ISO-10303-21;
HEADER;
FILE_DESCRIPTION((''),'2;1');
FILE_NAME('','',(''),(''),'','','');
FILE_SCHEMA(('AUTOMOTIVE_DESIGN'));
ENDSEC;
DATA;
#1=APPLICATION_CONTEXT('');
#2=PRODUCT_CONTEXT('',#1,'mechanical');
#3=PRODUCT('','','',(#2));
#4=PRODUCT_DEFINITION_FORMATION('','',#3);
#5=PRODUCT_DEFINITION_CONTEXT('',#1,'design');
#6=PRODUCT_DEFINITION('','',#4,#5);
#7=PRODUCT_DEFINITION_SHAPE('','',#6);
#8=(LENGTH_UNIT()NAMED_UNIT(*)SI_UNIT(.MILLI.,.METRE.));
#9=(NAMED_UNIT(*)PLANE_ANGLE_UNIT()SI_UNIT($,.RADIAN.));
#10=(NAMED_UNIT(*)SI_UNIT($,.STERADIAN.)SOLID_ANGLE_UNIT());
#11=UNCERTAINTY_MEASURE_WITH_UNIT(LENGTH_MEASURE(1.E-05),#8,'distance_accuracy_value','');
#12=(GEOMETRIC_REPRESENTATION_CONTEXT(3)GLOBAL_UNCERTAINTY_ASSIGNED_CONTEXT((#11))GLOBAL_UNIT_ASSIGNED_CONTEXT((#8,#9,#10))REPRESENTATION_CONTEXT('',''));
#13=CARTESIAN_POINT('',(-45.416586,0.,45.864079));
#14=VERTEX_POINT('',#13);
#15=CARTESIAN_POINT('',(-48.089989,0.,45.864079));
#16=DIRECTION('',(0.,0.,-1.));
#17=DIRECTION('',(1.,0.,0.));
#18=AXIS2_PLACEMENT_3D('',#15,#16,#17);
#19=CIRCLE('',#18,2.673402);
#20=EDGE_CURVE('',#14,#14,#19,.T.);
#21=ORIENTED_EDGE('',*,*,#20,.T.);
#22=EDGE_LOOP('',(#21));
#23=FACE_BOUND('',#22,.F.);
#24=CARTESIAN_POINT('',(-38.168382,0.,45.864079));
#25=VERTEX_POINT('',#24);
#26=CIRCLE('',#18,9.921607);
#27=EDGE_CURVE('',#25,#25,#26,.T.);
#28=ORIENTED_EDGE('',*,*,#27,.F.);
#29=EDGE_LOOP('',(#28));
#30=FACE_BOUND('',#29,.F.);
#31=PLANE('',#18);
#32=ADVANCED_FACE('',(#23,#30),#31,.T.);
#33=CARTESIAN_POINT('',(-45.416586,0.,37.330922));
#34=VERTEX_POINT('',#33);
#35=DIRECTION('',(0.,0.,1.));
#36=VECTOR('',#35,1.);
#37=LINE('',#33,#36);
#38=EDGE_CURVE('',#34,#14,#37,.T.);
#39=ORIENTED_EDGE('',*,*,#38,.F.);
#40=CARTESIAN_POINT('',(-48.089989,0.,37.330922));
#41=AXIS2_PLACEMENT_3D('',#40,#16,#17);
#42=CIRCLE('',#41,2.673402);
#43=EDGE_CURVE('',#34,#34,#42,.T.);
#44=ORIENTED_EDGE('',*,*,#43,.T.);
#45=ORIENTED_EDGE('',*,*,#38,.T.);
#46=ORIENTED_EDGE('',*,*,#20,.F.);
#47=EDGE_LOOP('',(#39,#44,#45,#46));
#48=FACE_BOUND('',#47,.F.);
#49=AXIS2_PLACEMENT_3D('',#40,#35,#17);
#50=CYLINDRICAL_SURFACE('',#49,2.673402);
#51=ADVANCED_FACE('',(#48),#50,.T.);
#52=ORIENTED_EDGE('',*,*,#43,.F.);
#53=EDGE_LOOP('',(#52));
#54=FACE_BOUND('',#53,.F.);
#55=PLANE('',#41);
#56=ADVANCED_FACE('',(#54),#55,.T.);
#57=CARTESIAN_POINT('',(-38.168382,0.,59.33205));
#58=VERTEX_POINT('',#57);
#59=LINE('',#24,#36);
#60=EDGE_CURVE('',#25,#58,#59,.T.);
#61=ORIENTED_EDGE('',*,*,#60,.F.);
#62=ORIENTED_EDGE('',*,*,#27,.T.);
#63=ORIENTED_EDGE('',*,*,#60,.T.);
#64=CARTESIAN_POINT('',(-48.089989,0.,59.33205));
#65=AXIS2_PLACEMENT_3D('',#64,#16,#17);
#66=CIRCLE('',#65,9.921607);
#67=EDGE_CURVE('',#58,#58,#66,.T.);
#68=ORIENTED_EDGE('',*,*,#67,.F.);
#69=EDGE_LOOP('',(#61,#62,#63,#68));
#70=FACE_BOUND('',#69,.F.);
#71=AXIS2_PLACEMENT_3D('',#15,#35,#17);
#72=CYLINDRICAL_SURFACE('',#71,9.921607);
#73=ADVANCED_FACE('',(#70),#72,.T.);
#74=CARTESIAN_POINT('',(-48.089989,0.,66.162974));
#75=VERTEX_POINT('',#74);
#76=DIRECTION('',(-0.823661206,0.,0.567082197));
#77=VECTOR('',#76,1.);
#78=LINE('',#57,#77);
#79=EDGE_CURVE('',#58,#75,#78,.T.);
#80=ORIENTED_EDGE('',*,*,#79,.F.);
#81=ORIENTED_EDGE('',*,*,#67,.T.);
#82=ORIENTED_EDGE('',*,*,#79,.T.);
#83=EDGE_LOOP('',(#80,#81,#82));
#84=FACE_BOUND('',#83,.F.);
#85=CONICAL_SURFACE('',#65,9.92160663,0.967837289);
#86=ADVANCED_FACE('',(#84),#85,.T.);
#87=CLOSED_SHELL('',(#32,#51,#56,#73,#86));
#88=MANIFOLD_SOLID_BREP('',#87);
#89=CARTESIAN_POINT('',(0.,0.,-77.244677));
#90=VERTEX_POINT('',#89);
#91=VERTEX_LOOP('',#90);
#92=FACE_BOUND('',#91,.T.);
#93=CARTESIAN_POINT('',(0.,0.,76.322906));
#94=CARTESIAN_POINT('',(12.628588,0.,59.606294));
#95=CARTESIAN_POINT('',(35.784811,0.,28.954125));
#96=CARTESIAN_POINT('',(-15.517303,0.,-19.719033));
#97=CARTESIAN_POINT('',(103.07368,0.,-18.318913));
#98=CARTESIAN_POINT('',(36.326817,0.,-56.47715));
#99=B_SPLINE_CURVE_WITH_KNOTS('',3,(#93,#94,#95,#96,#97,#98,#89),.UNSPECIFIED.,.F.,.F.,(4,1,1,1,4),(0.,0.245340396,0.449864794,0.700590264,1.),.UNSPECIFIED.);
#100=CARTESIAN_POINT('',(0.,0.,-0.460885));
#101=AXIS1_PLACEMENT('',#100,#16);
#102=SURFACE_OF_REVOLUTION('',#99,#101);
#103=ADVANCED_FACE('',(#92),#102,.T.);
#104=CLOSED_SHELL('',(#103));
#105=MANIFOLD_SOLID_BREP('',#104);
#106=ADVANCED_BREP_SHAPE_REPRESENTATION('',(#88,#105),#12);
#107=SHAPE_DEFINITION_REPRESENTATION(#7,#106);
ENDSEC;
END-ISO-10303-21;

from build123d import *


with BuildPart() as f1:
    # F0 (on Front) → F1 (revolve)
    with BuildSketch(Plane.XZ):
        with BuildLine():
            add(Edge.make_bspline(
                [(0, 76.3229057193), (12.6285877594, 59.6062938309), (35.7848112443, 28.9541252611), (-15.5173029444, -19.7190327797), (103.0736799176, -18.3189130996), (36.3268166009, -56.4771498934), (0, -77.2446766496)],
                knots=[0, 0, 0, 0, 0.2453403957, 0.4498647942, 0.7005902639, 1, 1, 1, 1], degree=3))
            Line((0, 76.3229057193), (0, -77.2446766496))
        make_face()
    revolve(axis=Axis((0, 0, -0.4608854651), (0, 0, -1)))


with BuildPart() as f3:
    # F2 (on Front) → F3 (revolve)
    with BuildSketch(Plane.XZ):
        Polygon((-38.1683818996, 59.3320503831), (-48.0899885297, 66.1629736423), (-48.0899885297, 37.3309217393), (-45.4165861011, 37.3309217393), (-45.4165861011, 45.8640791476), (-38.1683818996, 45.8640791476), align=None)
    revolve(axis=Axis((-48.0899885297, 0, 51.7469476908), (0, 0, -1)))


solid = Compound([f1.part, f3.part])
